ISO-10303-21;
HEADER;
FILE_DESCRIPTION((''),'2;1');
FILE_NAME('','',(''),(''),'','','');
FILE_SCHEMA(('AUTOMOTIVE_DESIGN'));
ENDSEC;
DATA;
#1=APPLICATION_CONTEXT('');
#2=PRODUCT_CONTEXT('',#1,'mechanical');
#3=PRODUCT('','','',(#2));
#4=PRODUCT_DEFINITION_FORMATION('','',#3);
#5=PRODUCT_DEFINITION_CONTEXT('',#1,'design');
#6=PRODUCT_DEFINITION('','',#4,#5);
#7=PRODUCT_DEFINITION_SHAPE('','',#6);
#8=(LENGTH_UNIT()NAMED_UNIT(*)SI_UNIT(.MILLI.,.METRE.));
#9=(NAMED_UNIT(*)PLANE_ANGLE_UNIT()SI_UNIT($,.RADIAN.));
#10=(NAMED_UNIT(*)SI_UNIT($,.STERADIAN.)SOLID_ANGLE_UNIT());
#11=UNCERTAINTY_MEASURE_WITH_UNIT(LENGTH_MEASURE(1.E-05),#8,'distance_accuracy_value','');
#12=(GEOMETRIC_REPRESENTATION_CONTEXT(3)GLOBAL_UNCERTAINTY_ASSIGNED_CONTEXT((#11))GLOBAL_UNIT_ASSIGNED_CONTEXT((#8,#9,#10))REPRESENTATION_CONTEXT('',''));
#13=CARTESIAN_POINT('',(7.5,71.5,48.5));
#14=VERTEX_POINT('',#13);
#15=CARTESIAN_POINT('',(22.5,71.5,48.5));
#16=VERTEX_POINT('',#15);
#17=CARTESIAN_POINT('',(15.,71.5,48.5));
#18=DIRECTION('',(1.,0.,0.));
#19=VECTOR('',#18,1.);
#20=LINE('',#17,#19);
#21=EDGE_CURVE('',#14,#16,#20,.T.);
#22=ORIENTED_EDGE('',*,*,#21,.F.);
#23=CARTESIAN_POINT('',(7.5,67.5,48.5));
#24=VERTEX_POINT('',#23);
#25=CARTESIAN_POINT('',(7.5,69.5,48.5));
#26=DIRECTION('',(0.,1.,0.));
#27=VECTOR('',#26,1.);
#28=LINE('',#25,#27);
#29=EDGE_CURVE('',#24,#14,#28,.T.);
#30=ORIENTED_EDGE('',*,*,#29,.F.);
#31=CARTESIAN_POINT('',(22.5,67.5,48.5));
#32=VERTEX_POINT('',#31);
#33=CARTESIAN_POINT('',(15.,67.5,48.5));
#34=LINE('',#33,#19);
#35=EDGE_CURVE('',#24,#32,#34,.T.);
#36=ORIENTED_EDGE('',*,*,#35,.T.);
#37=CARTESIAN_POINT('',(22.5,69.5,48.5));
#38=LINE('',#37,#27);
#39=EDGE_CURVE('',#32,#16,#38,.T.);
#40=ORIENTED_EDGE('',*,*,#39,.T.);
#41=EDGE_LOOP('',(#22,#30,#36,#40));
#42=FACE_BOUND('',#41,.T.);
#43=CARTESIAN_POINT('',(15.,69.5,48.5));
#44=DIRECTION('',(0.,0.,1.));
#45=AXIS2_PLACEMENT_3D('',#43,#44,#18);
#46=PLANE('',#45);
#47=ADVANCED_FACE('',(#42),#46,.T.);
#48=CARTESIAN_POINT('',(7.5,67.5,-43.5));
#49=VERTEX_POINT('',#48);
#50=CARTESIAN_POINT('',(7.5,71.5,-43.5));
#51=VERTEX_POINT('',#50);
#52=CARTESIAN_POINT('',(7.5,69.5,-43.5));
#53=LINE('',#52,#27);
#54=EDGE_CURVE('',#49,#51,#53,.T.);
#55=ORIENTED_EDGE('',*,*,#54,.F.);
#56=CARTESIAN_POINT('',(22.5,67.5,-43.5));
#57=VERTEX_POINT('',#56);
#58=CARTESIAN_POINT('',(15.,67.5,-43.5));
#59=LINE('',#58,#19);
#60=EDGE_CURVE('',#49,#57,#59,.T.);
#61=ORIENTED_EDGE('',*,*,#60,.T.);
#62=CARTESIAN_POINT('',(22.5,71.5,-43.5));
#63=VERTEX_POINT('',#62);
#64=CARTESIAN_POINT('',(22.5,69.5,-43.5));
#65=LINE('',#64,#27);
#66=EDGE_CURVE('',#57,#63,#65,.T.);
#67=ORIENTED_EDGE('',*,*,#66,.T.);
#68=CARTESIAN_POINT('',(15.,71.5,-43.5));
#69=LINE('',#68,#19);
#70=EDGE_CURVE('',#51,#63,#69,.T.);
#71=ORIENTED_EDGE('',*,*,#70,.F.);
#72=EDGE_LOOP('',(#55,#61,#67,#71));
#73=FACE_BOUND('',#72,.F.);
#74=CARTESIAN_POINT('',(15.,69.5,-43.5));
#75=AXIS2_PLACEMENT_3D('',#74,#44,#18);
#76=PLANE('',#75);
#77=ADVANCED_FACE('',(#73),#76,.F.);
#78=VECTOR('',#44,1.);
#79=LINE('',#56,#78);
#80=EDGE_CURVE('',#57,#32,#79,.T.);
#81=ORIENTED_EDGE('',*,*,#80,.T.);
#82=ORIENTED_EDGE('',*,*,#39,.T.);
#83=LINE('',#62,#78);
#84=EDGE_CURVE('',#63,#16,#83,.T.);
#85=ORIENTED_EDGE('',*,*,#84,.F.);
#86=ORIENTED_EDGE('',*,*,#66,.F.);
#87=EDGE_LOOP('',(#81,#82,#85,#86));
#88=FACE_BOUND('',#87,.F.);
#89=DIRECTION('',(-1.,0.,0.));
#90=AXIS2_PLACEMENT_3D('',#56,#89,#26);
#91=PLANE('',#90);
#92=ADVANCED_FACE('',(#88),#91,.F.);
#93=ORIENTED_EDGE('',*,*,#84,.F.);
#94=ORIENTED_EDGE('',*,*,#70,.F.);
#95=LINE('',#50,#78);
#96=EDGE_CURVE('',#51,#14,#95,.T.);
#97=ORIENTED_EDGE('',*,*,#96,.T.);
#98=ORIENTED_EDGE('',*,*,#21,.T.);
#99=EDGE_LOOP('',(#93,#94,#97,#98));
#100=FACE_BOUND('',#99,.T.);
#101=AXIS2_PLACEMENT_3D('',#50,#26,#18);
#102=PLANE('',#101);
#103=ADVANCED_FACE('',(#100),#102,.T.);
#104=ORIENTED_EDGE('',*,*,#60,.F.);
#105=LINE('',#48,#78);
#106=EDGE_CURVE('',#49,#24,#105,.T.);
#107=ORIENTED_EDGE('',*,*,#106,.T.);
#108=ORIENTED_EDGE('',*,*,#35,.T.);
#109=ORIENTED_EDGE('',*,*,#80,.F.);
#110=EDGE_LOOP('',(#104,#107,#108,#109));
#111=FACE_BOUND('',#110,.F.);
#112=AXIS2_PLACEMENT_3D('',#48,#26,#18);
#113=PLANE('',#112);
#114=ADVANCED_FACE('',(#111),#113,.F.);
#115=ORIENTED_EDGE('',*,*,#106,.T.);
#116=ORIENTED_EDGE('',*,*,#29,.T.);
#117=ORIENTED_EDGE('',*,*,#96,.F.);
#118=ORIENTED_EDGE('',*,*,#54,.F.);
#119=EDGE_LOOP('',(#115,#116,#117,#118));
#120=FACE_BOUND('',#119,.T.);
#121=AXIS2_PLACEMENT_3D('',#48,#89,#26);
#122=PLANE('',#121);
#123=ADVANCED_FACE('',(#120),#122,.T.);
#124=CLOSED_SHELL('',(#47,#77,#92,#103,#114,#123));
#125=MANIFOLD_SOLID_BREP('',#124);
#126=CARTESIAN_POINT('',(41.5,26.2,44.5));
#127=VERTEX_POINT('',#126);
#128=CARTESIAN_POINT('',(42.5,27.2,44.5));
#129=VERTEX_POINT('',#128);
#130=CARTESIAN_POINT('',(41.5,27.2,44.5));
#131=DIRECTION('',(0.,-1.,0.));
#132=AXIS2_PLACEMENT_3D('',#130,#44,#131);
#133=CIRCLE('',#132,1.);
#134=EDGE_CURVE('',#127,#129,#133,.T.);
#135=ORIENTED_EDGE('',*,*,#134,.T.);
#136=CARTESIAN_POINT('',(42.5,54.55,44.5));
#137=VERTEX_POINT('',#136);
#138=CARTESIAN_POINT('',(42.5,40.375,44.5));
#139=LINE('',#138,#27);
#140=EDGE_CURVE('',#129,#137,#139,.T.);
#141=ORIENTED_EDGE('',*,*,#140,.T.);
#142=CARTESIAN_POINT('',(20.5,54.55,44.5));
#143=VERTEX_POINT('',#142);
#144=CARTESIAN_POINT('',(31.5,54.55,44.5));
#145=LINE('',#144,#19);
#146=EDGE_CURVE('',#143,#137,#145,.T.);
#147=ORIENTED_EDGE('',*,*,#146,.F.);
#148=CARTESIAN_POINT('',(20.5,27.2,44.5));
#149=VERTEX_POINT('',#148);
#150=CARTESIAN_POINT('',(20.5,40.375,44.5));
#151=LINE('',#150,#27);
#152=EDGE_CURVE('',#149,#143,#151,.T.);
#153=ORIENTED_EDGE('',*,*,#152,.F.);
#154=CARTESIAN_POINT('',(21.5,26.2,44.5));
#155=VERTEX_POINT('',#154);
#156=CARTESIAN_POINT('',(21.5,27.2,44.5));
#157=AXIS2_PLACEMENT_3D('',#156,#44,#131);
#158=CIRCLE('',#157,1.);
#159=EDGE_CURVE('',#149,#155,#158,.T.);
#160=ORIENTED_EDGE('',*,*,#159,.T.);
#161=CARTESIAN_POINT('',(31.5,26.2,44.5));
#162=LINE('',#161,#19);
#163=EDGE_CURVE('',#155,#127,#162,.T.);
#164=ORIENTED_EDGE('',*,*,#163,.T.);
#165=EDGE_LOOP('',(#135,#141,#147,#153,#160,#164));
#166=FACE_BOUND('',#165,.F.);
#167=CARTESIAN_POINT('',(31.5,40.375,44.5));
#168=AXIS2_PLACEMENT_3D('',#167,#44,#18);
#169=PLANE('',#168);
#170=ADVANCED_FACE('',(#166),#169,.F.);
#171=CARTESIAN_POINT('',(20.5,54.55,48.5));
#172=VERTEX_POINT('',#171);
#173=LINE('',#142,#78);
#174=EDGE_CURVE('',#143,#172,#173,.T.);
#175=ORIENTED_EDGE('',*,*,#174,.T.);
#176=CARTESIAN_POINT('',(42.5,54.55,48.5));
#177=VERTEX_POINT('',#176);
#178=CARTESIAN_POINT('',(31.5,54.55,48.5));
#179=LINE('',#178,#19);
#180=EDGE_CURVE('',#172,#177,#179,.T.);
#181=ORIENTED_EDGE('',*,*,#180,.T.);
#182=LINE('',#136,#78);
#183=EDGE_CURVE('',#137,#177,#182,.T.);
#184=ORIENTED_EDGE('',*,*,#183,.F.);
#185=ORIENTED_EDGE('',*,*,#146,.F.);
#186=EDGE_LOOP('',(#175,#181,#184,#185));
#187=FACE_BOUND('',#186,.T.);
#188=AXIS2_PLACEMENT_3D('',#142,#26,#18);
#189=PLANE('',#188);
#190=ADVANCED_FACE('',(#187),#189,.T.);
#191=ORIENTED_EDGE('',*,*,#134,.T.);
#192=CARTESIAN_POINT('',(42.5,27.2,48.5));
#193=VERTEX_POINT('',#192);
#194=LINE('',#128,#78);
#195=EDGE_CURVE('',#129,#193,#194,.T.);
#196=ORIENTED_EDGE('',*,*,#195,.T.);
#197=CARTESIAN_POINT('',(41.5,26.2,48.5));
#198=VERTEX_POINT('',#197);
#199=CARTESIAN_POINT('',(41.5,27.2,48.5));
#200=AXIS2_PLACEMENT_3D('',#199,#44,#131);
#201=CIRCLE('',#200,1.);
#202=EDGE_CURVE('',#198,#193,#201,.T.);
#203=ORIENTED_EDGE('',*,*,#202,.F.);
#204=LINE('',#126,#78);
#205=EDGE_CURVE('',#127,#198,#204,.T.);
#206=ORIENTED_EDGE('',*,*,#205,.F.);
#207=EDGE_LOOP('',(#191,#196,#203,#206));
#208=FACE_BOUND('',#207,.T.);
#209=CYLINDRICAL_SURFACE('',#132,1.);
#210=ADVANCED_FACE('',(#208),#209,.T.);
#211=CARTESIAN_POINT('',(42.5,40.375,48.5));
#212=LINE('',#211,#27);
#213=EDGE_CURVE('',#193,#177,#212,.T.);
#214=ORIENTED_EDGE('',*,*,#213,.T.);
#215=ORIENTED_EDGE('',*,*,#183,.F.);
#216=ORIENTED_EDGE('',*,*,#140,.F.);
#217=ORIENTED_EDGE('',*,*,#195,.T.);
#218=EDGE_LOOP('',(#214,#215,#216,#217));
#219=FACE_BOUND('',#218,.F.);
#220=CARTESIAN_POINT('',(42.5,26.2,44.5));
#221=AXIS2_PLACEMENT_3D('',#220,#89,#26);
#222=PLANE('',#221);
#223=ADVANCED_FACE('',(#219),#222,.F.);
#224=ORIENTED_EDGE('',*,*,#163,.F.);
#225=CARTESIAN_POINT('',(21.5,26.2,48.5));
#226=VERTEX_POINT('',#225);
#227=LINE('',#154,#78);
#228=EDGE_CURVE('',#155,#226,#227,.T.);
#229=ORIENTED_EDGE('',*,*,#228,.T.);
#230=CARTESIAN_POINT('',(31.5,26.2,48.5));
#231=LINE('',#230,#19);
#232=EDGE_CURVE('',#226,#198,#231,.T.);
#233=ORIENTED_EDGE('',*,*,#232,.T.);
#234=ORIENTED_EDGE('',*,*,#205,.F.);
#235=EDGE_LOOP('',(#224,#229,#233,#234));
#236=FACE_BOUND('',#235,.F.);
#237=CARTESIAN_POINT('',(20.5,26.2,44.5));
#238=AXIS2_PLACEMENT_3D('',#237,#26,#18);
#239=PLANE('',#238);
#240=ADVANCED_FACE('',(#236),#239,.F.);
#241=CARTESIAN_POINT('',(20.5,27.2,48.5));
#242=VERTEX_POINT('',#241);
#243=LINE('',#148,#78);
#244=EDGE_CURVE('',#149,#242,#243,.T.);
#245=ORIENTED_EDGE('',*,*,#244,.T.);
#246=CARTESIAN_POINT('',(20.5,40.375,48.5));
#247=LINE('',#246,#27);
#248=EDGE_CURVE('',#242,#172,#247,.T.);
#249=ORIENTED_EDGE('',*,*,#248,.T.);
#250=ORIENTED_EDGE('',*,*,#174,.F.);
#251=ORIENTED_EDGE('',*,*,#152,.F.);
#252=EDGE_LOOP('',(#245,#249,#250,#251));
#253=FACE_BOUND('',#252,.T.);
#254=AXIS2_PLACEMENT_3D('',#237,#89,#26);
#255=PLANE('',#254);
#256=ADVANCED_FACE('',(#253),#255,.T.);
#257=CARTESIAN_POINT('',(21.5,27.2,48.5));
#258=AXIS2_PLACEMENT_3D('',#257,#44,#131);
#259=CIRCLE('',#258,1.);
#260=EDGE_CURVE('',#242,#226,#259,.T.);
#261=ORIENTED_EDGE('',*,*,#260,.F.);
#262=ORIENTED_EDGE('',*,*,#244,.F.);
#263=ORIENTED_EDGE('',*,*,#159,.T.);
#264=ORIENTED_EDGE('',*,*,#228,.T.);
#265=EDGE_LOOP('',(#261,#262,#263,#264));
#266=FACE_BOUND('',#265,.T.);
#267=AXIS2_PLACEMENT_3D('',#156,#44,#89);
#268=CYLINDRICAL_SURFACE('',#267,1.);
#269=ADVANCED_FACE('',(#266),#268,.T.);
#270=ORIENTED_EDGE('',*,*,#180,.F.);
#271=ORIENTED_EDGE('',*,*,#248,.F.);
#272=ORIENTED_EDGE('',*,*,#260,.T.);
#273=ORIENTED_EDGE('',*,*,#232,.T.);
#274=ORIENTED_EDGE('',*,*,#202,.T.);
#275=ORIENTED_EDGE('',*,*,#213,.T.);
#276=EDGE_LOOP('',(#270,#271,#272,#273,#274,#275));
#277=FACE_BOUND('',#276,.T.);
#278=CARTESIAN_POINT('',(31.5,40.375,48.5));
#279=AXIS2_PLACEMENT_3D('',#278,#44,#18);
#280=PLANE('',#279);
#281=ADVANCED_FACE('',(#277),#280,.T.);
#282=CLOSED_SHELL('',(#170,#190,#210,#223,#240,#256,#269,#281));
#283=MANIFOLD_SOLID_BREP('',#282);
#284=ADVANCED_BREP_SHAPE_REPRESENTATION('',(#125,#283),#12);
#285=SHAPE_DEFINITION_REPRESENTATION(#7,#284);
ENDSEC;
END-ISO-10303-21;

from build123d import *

# Parameters (mm, degrees)
BOX022_W     = 22
BOX022_H     = 28.35
BOX022_DEPTH = 4
FILLET009_R  = 1
BOX024_W     = 15
BOX024_H     = 4
BOX024_DEPTH = 92


with BuildPart() as fillet009:
    # Box022 → Box022 (new body)
    with BuildSketch(Plane(origin=(20.5, 26.2, 44.5), x_dir=(1, 0, 0), z_dir=(0, 0, 1))):
        with Locations((11, 14.175)):
            Rectangle(BOX022_W, BOX022_H)
    extrude(amount=BOX022_DEPTH)

    # Fillet009
    fillet009_edges = [fillet009.edges().sort_by_distance(p)[0] for p in [
        (20.5, 26.2, 46.5),
        (42.5, 26.2, 46.5),
    ]]
    fillet(fillet009_edges, radius=FILLET009_R)


with BuildPart() as fusion002008006003:
    # Box024 → Box024 (new body)
    with BuildSketch(Plane(origin=(7.5, 67.5, -43.5), x_dir=(1, 0, 0), z_dir=(0, 0, 1))):
        with Locations((7.5, 2)):
            Rectangle(BOX024_W, BOX024_H)
    extrude(amount=BOX024_DEPTH)

    # Fusion002008006003: union Fillet009
    add(fillet009.part)


solid = fusion002008006003.part
